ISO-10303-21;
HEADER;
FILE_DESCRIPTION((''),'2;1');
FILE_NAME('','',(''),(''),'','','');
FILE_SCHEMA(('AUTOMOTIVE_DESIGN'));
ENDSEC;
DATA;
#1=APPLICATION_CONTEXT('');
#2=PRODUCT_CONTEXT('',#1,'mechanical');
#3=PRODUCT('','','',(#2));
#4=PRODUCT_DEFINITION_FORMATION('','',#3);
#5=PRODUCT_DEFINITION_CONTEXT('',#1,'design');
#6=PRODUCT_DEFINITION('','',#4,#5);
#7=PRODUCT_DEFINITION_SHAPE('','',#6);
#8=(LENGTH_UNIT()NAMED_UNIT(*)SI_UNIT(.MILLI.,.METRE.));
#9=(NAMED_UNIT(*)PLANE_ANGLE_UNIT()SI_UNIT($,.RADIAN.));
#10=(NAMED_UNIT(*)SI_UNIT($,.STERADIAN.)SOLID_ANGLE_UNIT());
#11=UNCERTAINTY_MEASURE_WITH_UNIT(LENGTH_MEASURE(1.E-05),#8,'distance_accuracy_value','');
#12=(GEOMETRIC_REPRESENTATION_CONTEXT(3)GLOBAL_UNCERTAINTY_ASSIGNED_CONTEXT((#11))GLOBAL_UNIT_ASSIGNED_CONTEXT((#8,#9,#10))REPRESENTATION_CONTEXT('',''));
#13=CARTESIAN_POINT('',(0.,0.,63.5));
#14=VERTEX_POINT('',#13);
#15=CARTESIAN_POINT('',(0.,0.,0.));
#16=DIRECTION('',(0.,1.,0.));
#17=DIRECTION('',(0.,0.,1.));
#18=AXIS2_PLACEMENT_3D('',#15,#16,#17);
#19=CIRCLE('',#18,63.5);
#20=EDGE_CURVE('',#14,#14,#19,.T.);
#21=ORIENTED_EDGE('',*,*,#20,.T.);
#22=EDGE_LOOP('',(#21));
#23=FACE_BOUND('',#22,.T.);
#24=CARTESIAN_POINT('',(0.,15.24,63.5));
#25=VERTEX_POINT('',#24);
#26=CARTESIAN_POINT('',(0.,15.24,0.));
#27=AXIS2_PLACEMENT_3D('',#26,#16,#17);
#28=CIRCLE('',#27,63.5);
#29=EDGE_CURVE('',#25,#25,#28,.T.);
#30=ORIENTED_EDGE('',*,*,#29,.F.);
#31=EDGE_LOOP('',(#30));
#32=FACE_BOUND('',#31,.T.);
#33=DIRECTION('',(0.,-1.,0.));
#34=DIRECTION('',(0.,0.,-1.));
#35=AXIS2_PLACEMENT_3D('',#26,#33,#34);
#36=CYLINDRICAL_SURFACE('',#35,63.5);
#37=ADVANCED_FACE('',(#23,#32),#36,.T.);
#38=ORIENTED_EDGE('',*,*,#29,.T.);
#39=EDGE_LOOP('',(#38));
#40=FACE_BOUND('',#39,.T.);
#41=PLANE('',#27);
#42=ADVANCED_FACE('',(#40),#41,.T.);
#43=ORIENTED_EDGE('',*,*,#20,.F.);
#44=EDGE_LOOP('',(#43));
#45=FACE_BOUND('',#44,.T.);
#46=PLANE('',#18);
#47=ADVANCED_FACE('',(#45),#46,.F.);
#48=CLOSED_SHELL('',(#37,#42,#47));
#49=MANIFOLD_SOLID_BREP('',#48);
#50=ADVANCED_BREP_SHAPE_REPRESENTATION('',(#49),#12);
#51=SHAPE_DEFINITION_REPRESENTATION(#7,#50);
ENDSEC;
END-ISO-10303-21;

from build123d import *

# Parameters (mm, degrees)
SKETCH1_R           = 63.5
BOSS_EXTRUDE1_DEPTH = 15.24


with BuildPart() as part:
    # Sketch1 → Boss-Extrude1 (new body)
    with BuildSketch(Plane(origin=(0, 0, 0), x_dir=(1, 0, 0), z_dir=(0, 1, 0))):
        Circle(SKETCH1_R)
    extrude(amount=BOSS_EXTRUDE1_DEPTH)


solid = part.part
